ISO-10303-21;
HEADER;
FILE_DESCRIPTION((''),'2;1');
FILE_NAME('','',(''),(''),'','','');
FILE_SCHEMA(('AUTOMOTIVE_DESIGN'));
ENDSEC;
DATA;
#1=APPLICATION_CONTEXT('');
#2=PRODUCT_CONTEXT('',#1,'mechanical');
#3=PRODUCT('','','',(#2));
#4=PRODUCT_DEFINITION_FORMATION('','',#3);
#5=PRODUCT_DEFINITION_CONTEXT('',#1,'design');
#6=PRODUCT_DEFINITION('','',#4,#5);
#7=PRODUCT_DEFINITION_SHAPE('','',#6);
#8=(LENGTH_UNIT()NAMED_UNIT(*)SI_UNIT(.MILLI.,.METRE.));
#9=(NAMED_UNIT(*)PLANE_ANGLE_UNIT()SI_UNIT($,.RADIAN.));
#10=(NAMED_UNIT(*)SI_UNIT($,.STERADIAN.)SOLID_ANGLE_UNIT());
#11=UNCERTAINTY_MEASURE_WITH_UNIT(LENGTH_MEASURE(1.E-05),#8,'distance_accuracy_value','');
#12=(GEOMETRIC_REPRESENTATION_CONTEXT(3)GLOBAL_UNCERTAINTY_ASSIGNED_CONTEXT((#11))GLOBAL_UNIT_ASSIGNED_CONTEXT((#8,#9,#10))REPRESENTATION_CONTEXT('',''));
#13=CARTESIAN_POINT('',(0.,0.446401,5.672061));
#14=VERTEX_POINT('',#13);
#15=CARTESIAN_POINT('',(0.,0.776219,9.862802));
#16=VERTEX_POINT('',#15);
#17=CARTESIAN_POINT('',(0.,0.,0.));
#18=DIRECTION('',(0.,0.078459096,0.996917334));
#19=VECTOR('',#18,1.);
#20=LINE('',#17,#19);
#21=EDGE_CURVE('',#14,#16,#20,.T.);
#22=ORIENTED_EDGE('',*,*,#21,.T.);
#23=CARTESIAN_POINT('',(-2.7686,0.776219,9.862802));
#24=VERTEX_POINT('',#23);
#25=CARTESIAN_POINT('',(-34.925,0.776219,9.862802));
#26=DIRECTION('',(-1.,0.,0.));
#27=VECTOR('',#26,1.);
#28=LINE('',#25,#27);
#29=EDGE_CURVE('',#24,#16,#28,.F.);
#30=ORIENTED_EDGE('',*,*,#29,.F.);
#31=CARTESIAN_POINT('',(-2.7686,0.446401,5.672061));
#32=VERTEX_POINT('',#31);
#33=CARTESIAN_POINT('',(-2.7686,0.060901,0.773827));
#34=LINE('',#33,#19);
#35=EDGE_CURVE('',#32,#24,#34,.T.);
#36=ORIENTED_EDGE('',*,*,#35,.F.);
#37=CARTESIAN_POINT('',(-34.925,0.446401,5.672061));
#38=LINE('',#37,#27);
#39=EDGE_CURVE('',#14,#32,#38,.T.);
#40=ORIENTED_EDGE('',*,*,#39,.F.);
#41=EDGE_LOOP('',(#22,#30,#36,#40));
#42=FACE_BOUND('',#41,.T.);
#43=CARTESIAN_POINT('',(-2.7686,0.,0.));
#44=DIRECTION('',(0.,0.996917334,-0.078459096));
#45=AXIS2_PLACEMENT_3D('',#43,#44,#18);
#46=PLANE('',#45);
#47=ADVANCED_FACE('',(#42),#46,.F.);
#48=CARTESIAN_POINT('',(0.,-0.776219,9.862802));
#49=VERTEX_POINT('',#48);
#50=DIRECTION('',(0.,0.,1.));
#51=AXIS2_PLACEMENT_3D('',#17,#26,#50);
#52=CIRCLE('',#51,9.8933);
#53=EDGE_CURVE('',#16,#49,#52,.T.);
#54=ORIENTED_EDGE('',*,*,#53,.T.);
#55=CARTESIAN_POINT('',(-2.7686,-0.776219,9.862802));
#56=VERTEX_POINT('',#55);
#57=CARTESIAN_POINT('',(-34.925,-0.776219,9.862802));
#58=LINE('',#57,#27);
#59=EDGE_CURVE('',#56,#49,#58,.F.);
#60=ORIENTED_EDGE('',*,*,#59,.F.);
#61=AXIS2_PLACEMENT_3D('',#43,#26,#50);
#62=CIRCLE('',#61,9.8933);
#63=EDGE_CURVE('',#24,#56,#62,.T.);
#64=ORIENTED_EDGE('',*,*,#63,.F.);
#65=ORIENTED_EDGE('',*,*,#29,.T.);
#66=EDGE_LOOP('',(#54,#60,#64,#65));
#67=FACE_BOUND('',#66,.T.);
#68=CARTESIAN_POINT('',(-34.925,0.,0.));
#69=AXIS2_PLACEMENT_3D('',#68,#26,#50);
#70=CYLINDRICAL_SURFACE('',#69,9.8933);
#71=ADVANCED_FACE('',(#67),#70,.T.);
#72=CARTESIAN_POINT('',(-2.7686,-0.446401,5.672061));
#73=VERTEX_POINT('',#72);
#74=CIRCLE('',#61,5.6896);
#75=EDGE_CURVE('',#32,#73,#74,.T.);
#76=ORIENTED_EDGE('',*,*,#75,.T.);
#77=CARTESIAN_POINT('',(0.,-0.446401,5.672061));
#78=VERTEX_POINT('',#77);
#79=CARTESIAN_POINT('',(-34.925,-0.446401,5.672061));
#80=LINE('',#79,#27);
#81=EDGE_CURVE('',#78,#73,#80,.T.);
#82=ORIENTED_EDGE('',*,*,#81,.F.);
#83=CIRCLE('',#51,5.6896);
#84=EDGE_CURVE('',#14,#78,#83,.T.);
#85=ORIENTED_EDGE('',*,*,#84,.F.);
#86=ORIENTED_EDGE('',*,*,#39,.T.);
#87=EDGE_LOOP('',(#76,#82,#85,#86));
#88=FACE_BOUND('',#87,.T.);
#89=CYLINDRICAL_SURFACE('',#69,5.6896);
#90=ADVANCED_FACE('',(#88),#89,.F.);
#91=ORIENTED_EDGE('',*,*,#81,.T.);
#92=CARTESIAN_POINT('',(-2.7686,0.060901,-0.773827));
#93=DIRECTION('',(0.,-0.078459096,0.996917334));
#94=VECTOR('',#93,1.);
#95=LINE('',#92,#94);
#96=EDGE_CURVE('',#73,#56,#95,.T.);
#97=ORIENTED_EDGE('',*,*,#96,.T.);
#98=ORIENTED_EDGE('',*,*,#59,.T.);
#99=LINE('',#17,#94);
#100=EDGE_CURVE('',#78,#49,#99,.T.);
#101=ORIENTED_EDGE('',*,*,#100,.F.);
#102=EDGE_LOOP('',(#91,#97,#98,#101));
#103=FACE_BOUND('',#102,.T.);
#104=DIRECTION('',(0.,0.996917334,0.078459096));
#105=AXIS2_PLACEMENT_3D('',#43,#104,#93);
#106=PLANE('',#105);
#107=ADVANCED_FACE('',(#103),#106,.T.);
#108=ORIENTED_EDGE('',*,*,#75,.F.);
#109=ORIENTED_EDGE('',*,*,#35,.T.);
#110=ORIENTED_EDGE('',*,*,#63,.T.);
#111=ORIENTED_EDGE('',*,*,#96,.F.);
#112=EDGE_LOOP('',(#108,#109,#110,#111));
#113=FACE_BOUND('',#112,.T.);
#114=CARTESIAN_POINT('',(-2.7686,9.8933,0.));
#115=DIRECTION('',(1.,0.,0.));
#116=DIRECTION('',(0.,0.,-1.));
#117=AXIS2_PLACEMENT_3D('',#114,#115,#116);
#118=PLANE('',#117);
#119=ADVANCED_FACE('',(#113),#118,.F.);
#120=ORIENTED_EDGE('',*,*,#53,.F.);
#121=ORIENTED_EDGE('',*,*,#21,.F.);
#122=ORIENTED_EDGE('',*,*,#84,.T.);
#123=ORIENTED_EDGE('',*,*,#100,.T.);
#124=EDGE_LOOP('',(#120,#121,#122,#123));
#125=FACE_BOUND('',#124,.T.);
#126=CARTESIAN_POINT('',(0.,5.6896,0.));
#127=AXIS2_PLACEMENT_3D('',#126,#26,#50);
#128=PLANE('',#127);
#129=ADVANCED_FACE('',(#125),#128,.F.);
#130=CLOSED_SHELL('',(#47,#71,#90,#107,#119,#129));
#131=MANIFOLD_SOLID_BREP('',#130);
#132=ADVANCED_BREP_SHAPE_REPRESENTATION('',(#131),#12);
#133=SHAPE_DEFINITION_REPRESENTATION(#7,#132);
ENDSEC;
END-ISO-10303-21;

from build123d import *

# Parameters (mm, degrees)
SKETCH1_W = 2.7686
SKETCH1_H = 4.2037
GAP_DEPTH = 15.26253539


with BuildPart() as part:
    # Sketch1 → Base-Revolve (revolve)
    with BuildSketch(Plane.XY, mode=Mode.PRIVATE) as base_revolve_sk:
        with Locations((-1.3843, 7.79145)):
            Rectangle(SKETCH1_W, SKETCH1_H)
    revolve(base_revolve_sk.sketch.rotate(Axis((-34.925, 0, 0), (1, 0, 0)), 90), axis=Axis((-34.925, 0, 0), (1, 0, 0)))

    # Sketch2 → Gap (cut, through all)
    with BuildSketch(Plane(origin=(0, 0, 0), x_dir=(0, -1, 0), z_dir=(-1, 0, 0))):
        with BuildLine():
            Line((0, 0), (0.791743759, 10.060058303))
            ThreePointArc((0.791743759, 10.060058303), (0, 10.091166), (-0.791743759, 10.060058303))
            Line((-0.791743759, 10.060058303), (0, 0))
        make_face()
    extrude(amount=GAP_DEPTH, mode=Mode.SUBTRACT)


solid = part.part
